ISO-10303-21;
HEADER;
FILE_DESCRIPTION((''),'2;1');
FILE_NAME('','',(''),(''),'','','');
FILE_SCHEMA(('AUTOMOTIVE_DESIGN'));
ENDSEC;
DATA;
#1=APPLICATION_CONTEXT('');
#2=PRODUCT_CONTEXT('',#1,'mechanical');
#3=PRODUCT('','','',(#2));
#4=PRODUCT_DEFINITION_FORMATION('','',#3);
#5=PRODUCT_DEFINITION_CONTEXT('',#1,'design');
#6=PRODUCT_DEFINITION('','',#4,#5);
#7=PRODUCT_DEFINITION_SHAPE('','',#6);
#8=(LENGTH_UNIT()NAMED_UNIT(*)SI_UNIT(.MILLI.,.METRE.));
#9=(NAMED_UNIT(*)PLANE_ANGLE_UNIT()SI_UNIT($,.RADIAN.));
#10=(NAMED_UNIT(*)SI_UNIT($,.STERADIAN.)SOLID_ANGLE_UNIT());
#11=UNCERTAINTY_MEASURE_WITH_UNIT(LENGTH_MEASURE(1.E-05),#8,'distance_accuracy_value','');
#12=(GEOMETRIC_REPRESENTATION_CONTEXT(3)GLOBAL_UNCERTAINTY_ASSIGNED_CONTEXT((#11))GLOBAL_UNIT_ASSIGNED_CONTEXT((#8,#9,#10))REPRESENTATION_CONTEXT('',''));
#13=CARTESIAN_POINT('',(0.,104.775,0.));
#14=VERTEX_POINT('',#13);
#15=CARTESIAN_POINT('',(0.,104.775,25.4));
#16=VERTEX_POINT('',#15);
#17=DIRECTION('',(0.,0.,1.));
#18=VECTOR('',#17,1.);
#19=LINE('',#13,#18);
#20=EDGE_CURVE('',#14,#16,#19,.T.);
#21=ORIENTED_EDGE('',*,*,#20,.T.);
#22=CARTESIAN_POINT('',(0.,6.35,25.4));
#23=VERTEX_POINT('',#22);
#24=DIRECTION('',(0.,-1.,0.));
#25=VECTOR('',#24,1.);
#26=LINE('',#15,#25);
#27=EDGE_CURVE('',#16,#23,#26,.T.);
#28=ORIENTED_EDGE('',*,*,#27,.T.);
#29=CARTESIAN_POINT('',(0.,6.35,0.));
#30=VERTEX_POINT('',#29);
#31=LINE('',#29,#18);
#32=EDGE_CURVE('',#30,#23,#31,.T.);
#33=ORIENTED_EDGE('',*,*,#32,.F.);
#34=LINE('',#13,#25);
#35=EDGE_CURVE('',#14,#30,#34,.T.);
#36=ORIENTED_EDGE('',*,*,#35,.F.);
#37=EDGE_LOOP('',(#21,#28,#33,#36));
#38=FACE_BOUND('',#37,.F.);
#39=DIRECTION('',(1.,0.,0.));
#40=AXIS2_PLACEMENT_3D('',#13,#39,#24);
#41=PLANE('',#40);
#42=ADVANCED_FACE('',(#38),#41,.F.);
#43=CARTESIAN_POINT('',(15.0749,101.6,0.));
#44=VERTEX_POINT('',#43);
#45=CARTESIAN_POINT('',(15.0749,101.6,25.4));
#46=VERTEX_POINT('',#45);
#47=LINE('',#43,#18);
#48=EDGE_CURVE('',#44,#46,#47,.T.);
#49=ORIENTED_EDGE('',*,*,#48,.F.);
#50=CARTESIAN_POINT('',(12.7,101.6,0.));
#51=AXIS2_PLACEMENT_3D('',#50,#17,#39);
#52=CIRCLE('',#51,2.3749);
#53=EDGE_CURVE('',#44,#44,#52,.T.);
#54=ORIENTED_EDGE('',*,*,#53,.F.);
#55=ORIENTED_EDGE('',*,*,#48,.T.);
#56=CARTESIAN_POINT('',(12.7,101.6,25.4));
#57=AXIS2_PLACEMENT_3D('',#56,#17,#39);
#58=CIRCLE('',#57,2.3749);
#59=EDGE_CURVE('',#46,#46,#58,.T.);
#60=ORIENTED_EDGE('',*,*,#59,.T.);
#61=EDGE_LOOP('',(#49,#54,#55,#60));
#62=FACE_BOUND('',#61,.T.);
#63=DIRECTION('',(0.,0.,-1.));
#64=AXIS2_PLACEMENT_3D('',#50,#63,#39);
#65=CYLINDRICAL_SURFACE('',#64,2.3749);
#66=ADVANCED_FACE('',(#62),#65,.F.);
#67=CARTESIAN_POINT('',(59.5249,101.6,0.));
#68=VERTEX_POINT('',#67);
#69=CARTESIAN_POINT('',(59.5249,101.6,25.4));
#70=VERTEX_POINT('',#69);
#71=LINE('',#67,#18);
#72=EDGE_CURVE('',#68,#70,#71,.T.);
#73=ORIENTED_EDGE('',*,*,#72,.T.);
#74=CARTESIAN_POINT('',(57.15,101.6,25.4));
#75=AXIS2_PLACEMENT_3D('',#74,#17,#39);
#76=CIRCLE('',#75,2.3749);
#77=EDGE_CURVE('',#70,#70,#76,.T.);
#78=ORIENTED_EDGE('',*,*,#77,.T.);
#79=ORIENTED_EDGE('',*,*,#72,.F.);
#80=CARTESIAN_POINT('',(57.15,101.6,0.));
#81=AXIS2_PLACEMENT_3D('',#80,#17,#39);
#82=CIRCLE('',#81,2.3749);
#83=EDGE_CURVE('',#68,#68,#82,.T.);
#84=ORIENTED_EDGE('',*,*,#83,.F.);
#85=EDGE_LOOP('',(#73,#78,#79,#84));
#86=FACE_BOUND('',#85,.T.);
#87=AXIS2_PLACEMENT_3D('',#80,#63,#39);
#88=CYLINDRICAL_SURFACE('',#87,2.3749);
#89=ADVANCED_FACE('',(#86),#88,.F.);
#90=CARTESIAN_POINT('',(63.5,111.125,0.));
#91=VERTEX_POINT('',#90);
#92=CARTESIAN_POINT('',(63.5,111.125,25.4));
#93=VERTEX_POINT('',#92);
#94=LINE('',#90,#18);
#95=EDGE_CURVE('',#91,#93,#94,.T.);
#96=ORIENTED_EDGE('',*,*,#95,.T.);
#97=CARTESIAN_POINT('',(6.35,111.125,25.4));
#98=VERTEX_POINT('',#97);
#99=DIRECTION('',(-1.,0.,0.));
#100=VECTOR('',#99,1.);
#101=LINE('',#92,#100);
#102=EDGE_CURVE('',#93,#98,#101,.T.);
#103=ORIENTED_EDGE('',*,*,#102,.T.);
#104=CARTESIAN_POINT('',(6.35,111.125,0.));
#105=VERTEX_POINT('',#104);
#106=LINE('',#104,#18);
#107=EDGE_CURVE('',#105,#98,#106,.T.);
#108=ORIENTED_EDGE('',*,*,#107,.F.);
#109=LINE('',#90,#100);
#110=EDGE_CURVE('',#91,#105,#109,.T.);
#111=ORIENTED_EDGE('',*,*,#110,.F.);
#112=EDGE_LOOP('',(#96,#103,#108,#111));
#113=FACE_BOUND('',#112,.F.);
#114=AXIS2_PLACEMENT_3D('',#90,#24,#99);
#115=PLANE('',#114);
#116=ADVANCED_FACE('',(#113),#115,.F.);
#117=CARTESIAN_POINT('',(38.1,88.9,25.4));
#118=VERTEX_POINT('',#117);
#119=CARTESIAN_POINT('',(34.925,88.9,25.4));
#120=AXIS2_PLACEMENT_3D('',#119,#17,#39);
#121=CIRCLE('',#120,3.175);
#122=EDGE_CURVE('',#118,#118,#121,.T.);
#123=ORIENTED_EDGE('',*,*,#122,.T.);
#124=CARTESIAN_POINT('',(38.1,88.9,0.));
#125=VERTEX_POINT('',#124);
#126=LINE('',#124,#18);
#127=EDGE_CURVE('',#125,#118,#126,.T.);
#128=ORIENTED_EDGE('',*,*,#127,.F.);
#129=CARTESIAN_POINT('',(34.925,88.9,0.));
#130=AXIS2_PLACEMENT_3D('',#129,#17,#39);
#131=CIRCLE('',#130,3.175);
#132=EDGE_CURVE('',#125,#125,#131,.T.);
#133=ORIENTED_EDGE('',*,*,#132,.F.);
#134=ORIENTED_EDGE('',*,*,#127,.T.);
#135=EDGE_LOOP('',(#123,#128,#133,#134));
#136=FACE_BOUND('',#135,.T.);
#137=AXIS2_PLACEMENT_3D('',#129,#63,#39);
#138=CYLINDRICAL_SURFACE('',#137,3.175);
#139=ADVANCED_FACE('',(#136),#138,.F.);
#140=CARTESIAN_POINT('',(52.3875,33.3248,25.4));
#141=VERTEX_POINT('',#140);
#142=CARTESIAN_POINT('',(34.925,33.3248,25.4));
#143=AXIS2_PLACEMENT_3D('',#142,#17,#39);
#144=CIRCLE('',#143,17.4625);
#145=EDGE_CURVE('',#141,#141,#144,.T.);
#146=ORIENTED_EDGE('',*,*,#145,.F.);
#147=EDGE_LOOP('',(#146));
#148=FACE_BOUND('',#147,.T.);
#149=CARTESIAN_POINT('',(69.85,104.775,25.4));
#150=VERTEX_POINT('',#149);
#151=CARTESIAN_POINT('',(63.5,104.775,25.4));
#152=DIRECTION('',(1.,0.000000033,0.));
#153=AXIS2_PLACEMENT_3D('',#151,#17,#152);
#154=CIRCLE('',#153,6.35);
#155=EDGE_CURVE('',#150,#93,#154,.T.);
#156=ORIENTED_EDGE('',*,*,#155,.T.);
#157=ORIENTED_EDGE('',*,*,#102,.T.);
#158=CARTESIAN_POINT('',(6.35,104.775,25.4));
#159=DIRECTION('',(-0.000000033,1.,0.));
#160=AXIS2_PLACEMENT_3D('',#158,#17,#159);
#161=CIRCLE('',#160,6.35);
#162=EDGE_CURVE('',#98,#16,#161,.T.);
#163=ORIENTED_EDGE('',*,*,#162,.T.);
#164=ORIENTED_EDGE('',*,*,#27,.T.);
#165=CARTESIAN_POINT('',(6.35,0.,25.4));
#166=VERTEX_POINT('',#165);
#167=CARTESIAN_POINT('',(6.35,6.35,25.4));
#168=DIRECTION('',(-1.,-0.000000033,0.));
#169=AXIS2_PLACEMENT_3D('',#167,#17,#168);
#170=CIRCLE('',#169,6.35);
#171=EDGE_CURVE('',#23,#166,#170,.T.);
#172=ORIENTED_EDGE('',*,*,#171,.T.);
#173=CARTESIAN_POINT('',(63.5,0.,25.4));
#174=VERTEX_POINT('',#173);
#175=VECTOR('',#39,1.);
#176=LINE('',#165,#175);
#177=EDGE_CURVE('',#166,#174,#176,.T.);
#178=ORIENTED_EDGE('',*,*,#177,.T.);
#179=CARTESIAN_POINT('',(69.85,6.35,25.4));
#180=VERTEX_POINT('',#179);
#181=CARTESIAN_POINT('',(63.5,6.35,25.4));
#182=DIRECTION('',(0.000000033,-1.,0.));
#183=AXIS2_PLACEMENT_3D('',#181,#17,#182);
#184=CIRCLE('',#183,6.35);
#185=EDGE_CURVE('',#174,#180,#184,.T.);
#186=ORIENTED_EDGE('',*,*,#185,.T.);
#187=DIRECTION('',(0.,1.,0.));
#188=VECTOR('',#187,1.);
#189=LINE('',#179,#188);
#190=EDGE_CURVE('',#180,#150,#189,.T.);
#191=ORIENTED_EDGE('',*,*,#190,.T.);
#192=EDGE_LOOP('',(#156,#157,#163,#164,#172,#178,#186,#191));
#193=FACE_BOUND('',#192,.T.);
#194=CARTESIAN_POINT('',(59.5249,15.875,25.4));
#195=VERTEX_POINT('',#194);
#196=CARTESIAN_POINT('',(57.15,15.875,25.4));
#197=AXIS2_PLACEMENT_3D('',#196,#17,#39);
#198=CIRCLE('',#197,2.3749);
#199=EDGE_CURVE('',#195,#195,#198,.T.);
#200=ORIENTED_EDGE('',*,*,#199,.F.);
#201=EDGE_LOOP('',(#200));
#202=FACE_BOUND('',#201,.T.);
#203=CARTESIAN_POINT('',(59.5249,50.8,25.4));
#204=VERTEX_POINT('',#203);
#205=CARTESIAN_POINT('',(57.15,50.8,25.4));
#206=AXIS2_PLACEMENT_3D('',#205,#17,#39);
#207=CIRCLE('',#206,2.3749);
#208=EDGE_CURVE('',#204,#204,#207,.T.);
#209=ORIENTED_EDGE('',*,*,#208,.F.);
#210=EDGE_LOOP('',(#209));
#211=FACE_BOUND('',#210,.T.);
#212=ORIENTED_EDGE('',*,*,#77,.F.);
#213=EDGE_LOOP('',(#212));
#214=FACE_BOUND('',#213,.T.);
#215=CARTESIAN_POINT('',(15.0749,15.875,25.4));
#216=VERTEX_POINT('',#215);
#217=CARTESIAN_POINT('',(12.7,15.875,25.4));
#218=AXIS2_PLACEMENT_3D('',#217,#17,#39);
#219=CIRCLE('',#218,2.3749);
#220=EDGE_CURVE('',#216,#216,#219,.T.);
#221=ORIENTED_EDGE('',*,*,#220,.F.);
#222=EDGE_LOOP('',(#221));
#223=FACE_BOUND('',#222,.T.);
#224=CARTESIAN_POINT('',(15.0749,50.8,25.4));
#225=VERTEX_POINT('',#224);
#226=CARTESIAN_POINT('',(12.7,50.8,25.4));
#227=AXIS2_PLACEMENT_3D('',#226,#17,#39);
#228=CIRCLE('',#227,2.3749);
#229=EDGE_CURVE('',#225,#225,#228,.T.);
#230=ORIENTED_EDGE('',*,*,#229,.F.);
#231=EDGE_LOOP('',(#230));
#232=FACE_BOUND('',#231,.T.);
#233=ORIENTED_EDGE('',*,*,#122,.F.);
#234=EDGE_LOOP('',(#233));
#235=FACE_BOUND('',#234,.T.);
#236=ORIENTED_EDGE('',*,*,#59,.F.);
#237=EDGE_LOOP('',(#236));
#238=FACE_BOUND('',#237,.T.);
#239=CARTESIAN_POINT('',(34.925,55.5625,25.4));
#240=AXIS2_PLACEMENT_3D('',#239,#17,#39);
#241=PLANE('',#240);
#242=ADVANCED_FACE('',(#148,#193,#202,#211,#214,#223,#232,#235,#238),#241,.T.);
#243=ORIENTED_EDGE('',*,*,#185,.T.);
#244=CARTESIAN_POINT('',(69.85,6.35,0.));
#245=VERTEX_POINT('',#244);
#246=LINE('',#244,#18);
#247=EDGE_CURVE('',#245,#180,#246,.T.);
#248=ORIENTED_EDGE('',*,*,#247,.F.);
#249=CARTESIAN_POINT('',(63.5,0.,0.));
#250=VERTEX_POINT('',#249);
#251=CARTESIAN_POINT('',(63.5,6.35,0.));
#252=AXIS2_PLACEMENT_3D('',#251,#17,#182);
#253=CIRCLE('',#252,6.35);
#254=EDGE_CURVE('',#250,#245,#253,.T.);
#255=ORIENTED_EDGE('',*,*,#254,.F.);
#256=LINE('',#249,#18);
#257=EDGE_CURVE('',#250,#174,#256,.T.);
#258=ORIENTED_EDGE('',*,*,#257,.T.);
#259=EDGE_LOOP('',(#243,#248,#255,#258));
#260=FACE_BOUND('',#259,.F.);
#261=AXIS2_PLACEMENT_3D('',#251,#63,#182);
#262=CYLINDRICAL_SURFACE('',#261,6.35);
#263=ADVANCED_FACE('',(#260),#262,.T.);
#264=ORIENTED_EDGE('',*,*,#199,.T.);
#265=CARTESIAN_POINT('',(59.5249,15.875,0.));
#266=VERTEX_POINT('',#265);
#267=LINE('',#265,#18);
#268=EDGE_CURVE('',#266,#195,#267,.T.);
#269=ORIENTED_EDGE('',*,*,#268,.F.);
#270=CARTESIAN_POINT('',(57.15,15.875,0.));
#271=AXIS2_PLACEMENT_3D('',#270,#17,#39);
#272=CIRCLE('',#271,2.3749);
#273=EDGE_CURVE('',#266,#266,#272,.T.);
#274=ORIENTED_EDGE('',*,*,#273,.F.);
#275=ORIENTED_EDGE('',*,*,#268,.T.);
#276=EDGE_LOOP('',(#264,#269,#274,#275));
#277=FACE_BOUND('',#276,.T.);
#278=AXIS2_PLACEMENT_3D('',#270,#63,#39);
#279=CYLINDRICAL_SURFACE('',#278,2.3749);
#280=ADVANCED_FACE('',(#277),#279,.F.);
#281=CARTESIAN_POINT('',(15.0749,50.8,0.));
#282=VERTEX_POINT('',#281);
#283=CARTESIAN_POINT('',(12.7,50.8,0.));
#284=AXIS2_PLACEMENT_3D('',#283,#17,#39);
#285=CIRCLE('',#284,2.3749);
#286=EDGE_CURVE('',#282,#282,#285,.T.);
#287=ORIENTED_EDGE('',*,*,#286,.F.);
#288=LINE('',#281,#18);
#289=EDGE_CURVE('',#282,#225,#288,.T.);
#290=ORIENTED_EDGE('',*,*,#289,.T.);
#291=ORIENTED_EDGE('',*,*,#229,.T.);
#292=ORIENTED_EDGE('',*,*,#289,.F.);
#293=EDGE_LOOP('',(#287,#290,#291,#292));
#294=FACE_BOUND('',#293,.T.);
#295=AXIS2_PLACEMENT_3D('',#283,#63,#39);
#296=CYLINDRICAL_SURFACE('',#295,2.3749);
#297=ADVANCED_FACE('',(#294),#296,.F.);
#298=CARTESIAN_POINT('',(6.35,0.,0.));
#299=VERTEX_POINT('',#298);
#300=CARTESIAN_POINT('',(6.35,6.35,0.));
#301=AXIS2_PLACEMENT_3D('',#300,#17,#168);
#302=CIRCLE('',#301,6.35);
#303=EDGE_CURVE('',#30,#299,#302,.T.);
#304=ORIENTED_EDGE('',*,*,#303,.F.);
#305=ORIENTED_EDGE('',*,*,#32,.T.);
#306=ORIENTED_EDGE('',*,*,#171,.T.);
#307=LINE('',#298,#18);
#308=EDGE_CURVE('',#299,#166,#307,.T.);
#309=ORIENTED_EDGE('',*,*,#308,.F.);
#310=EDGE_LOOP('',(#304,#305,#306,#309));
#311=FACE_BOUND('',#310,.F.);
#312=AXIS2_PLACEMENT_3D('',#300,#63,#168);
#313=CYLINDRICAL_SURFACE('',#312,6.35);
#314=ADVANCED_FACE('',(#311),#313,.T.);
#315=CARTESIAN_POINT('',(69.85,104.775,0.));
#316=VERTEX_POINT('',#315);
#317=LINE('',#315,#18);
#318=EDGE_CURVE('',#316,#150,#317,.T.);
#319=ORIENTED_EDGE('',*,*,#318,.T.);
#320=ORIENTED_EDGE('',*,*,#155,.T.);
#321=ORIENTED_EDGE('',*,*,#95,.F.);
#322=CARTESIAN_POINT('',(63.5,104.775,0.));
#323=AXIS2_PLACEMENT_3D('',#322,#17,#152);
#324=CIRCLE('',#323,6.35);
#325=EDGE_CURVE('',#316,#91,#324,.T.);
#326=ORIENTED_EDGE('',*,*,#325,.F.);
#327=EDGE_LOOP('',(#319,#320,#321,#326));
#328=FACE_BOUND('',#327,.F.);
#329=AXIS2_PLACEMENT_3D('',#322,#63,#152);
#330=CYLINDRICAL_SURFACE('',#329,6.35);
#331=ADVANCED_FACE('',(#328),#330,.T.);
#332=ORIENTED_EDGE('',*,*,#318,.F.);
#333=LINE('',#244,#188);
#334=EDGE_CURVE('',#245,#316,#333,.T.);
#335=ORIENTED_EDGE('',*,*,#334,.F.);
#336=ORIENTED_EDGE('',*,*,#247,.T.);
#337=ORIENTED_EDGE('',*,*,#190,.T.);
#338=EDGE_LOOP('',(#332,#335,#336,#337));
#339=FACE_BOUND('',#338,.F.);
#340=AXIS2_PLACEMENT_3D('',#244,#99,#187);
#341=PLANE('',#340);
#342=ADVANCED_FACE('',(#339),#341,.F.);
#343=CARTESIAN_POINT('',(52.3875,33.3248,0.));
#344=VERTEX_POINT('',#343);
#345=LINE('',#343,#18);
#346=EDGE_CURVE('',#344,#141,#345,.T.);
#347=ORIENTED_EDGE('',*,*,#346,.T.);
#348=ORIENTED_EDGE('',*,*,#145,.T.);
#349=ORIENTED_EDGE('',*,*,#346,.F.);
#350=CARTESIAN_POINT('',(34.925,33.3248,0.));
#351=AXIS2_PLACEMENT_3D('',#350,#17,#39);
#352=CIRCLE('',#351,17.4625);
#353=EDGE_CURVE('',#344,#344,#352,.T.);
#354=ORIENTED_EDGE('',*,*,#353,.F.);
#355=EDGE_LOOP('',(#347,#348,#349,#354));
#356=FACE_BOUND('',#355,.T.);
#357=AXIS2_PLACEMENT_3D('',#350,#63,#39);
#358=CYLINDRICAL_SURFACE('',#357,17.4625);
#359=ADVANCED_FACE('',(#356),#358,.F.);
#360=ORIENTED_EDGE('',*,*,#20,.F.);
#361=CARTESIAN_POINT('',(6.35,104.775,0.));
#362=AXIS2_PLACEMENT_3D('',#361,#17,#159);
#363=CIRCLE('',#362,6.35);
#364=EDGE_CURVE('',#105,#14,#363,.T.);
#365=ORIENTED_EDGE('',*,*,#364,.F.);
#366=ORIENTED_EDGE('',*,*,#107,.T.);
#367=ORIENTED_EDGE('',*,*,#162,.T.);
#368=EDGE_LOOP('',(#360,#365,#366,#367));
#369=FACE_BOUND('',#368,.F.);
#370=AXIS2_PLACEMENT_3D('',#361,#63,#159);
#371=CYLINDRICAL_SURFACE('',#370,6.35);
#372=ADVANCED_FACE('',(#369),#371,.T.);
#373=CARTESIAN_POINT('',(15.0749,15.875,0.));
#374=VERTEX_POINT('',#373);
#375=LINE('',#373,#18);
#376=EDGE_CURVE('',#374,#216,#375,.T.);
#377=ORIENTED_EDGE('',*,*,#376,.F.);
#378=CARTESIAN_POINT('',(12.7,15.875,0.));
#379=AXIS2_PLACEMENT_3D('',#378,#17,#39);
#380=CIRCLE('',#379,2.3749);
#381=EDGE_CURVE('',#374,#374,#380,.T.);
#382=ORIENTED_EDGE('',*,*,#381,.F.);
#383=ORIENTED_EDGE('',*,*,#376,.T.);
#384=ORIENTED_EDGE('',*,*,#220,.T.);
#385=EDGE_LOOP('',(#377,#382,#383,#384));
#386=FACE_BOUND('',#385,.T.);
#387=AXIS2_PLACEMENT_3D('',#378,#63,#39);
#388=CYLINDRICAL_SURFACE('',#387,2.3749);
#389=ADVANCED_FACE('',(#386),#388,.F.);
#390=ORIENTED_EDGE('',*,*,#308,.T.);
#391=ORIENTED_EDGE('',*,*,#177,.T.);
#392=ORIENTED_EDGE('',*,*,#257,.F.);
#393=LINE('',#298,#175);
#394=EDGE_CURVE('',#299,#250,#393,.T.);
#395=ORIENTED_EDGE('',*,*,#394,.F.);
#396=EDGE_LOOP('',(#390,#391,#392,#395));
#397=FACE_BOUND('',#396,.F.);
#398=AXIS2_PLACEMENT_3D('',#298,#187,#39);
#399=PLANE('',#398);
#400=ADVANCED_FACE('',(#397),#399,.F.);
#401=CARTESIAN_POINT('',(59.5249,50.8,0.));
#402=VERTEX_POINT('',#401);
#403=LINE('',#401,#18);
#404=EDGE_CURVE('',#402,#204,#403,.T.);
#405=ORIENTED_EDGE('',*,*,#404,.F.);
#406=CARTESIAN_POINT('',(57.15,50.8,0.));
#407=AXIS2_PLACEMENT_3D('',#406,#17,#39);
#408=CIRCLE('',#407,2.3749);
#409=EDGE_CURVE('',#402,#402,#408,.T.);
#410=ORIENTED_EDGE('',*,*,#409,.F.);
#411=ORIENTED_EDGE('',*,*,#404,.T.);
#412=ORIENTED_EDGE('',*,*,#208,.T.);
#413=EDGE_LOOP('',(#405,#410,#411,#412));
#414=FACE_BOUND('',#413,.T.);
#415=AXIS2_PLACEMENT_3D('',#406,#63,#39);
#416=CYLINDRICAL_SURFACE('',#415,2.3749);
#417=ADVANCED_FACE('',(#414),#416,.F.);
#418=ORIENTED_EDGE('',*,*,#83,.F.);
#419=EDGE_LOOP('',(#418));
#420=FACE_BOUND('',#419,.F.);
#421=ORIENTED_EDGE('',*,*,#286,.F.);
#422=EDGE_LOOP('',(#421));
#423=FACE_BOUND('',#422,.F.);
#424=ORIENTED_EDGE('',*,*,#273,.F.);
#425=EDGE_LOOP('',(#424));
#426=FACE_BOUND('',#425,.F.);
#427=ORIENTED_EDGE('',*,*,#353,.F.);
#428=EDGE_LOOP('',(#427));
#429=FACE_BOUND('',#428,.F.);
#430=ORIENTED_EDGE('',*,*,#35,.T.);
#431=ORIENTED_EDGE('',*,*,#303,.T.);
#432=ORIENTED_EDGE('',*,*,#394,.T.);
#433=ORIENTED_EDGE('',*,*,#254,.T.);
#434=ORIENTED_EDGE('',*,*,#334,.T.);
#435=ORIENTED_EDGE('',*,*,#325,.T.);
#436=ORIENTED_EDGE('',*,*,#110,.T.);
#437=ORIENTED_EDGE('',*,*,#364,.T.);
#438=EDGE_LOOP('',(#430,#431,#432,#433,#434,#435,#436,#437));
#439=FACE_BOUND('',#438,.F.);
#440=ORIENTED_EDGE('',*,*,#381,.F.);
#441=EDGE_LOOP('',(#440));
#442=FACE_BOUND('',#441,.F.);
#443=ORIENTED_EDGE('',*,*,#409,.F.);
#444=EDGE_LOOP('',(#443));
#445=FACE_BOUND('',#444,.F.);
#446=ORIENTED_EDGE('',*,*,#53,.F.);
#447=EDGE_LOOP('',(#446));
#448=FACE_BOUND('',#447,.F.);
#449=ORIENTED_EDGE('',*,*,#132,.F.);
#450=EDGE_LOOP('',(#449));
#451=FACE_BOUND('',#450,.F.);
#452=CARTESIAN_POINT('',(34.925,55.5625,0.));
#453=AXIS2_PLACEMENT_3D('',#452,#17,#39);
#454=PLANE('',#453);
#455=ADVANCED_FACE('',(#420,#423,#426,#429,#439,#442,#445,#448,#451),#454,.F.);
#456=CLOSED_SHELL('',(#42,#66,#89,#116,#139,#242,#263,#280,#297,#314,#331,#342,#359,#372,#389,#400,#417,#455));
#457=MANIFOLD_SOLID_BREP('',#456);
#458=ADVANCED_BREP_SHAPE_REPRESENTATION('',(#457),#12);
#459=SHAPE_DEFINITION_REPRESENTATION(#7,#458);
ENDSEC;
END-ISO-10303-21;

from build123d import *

# Parameters (mm, degrees)
F0_R     = 2.3749
F0_R_2   = 17.4625
F0_R_3   = 3.175
F1_DEPTH = 25.4


with BuildPart() as f1:
    # F0 (on Top) → F1 (new body)
    with BuildSketch(Plane.XY):
        with BuildLine():
            ThreePointArc((0, 6.35), (1.859872, 1.859872), (6.35, 0))
            Line((6.35, 0), (63.5, 0))
            ThreePointArc((63.5, 0), (67.990128, 1.859872), (69.85, 6.35))
            Line((69.85, 6.35), (69.85, 104.775))
            ThreePointArc((69.85, 104.775), (67.990128, 109.265128), (63.5, 111.125))
            Line((63.5, 111.125), (6.35, 111.125))
            ThreePointArc((6.35, 111.125), (1.859872, 109.265128), (0, 104.775))
            Line((0, 104.775), (0, 6.35))
        make_face()
        with Locations((12.7, 15.875)):
            Circle(F0_R, mode=Mode.SUBTRACT)
        with Locations((12.7, 50.8)):
            Circle(F0_R, mode=Mode.SUBTRACT)
        with Locations((57.15, 15.875)):
            Circle(F0_R, mode=Mode.SUBTRACT)
        with Locations((34.925, 33.3248)):
            Circle(F0_R_2, mode=Mode.SUBTRACT)
        with Locations((57.15, 50.8)):
            Circle(F0_R, mode=Mode.SUBTRACT)
        with Locations((12.7, 101.6)):
            Circle(F0_R, mode=Mode.SUBTRACT)
        with Locations((34.925, 88.9)):
            Circle(F0_R_3, mode=Mode.SUBTRACT)
        with Locations((57.15, 101.6)):
            Circle(F0_R, mode=Mode.SUBTRACT)
    extrude(amount=F1_DEPTH)


solid = f1.part
